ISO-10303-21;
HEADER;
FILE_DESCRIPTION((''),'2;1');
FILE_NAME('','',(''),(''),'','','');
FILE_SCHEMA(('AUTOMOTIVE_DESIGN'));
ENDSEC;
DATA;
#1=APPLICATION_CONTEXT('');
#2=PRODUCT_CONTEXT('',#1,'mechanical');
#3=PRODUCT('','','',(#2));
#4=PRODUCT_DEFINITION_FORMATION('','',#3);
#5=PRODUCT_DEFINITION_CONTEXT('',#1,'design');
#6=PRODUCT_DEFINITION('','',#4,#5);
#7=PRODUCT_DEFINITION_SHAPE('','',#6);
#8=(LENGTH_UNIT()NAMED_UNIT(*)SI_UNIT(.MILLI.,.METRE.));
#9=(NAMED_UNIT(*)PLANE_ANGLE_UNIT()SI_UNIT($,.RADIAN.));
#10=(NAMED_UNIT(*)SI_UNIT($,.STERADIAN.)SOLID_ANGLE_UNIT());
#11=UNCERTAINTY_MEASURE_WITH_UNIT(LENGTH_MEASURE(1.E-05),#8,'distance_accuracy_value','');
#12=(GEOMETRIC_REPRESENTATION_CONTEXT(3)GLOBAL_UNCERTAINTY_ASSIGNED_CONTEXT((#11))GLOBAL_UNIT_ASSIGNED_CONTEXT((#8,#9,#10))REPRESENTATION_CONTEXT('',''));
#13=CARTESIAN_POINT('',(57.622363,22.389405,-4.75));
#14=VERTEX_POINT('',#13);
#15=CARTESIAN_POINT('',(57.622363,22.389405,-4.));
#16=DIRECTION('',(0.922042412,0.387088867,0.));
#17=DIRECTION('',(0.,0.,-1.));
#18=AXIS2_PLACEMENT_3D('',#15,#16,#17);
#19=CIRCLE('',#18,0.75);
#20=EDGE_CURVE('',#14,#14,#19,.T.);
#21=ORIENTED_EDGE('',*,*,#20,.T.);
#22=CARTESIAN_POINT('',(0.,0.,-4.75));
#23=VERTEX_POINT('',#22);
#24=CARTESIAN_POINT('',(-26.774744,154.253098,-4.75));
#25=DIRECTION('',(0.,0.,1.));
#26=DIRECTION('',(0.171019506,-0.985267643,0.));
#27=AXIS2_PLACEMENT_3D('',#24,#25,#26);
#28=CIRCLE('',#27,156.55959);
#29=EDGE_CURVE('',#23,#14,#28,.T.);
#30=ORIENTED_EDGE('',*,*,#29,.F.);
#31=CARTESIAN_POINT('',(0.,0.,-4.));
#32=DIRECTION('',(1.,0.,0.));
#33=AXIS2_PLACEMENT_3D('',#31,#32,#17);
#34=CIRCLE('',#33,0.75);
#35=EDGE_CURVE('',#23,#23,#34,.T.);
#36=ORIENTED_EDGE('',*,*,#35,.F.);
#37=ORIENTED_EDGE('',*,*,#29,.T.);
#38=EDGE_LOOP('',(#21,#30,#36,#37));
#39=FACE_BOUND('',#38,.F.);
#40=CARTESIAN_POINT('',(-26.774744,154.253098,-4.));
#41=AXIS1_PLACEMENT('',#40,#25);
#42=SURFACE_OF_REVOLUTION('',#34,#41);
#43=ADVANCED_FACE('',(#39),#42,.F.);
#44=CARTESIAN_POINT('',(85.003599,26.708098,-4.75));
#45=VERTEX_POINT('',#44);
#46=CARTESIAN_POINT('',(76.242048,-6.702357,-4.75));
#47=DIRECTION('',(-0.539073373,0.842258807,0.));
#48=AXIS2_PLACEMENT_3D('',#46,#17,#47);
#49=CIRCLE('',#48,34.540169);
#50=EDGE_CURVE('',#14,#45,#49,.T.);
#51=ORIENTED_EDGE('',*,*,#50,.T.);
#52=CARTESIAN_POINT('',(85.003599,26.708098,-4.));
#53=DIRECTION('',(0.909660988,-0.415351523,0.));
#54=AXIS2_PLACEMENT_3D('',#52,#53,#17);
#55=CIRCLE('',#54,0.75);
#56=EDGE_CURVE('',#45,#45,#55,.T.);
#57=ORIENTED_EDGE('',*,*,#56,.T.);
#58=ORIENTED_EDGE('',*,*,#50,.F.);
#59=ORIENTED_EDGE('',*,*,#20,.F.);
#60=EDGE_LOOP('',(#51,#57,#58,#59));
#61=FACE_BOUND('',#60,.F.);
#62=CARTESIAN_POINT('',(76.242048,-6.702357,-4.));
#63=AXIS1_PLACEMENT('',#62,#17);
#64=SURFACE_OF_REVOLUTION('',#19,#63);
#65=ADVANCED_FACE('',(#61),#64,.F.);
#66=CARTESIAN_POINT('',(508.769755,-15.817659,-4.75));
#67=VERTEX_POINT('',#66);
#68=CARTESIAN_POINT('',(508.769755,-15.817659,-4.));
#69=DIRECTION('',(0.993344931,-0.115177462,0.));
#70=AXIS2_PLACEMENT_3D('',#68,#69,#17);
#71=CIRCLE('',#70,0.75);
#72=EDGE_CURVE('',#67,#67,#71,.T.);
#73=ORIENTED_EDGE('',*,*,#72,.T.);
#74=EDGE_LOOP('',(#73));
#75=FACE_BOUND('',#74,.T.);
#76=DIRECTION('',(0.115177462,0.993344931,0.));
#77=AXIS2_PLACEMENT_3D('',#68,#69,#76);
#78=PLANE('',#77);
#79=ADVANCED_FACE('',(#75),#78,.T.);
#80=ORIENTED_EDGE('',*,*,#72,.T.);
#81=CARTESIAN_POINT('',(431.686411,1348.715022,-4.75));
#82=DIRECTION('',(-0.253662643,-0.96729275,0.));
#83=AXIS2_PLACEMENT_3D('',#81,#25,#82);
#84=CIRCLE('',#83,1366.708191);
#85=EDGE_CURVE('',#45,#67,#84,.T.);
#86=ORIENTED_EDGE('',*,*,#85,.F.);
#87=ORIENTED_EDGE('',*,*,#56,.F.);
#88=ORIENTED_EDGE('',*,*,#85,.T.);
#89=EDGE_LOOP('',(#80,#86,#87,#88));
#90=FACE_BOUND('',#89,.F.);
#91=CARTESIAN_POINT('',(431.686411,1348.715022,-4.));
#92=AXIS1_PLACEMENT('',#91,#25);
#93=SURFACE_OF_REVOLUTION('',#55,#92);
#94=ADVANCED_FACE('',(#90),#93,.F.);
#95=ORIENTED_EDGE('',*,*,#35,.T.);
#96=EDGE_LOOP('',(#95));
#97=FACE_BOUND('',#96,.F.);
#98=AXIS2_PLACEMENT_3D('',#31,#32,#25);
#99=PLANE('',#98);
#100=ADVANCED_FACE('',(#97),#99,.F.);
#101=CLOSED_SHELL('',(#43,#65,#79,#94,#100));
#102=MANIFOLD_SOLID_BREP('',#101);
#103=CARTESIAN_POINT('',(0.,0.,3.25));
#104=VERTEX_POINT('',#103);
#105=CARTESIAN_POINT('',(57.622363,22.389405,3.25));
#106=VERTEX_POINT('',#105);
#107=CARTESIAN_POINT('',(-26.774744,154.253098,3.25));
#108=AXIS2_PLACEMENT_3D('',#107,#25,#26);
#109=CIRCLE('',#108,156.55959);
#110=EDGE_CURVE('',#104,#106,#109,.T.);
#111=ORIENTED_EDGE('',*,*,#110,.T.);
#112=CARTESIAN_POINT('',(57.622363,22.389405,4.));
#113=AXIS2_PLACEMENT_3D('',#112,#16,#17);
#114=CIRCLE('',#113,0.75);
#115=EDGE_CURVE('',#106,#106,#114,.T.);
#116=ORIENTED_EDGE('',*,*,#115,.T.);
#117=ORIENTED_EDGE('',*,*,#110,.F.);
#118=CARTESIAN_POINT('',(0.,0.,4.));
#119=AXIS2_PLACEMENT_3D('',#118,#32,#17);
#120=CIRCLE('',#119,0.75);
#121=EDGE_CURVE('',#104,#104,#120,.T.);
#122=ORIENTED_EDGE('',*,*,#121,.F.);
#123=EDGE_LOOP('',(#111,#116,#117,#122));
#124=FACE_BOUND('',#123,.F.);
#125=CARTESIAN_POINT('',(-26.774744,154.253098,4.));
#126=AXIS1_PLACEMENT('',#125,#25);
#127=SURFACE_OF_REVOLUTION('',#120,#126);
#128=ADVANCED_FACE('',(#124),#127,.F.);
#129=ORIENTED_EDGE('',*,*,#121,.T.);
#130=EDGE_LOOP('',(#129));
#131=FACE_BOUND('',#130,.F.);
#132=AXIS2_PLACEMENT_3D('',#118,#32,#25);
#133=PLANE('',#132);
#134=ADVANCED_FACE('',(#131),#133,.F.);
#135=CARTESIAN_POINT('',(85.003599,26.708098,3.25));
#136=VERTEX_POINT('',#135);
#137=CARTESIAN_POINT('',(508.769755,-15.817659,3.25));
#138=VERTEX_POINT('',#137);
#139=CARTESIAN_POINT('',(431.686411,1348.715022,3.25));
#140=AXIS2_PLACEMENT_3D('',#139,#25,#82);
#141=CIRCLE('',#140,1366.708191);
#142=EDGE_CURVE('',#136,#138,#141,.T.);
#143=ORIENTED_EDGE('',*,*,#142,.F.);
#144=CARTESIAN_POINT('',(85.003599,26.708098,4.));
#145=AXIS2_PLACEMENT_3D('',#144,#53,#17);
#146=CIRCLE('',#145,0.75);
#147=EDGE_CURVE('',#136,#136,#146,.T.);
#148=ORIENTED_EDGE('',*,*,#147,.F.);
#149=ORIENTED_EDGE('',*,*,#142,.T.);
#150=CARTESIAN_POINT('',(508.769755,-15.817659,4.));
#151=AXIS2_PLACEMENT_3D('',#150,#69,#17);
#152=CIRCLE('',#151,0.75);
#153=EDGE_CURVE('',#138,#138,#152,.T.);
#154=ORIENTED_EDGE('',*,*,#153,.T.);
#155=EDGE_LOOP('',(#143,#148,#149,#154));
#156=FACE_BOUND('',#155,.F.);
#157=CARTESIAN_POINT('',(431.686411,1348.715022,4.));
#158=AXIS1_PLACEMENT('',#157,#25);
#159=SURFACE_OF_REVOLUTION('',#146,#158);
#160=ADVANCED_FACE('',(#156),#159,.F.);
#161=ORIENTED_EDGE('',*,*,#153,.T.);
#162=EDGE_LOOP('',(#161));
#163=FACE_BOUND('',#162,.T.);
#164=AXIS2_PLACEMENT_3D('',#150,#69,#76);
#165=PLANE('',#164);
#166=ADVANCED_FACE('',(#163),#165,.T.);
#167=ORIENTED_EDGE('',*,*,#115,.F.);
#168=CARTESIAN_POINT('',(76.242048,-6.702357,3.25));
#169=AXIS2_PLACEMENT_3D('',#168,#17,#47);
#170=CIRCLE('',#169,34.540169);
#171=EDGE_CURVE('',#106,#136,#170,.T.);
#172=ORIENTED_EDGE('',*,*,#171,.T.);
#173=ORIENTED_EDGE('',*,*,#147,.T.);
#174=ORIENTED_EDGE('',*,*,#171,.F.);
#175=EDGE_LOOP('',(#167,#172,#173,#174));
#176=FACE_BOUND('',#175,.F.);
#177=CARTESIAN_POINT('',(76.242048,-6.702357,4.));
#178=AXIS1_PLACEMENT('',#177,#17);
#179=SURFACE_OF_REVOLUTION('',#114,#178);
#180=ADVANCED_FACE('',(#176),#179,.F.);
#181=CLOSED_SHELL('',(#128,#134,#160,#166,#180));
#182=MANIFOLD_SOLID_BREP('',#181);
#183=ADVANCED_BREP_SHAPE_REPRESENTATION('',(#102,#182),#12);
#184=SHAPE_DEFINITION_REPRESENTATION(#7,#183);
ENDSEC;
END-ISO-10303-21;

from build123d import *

# Parameters (mm, degrees)
SKETCH_2_R = 0.75


with BuildPart() as part:
    # 掃出1: sweep along a path in 草圖1
    with BuildLine(Plane.XY) as sweep_1_path:
        ThreePointArc((0, 0), (29.927252892, 8.322331102), (57.622362574, 22.389404723))
        ThreePointArc((57.622362574, 22.389404723), (70.860739212, 27.416036901), (85.003598536, 26.708098215))
        ThreePointArc((85.003598536, 26.708098215), (295.22001087, -11.16298749), (508.769754915, -15.817658898))
    # 草圖2 → 掃出1 (sweep)
    with BuildSketch(Plane(origin=(0, 0, 0), x_dir=(0, 0, -1), z_dir=(1, 0, 0))):
        with Locations((-4, 0)):
            Circle(SKETCH_2_R)
        with Locations((4, 0)):
            Circle(SKETCH_2_R)
    sweep(path=sweep_1_path.line)


solid = part.part
